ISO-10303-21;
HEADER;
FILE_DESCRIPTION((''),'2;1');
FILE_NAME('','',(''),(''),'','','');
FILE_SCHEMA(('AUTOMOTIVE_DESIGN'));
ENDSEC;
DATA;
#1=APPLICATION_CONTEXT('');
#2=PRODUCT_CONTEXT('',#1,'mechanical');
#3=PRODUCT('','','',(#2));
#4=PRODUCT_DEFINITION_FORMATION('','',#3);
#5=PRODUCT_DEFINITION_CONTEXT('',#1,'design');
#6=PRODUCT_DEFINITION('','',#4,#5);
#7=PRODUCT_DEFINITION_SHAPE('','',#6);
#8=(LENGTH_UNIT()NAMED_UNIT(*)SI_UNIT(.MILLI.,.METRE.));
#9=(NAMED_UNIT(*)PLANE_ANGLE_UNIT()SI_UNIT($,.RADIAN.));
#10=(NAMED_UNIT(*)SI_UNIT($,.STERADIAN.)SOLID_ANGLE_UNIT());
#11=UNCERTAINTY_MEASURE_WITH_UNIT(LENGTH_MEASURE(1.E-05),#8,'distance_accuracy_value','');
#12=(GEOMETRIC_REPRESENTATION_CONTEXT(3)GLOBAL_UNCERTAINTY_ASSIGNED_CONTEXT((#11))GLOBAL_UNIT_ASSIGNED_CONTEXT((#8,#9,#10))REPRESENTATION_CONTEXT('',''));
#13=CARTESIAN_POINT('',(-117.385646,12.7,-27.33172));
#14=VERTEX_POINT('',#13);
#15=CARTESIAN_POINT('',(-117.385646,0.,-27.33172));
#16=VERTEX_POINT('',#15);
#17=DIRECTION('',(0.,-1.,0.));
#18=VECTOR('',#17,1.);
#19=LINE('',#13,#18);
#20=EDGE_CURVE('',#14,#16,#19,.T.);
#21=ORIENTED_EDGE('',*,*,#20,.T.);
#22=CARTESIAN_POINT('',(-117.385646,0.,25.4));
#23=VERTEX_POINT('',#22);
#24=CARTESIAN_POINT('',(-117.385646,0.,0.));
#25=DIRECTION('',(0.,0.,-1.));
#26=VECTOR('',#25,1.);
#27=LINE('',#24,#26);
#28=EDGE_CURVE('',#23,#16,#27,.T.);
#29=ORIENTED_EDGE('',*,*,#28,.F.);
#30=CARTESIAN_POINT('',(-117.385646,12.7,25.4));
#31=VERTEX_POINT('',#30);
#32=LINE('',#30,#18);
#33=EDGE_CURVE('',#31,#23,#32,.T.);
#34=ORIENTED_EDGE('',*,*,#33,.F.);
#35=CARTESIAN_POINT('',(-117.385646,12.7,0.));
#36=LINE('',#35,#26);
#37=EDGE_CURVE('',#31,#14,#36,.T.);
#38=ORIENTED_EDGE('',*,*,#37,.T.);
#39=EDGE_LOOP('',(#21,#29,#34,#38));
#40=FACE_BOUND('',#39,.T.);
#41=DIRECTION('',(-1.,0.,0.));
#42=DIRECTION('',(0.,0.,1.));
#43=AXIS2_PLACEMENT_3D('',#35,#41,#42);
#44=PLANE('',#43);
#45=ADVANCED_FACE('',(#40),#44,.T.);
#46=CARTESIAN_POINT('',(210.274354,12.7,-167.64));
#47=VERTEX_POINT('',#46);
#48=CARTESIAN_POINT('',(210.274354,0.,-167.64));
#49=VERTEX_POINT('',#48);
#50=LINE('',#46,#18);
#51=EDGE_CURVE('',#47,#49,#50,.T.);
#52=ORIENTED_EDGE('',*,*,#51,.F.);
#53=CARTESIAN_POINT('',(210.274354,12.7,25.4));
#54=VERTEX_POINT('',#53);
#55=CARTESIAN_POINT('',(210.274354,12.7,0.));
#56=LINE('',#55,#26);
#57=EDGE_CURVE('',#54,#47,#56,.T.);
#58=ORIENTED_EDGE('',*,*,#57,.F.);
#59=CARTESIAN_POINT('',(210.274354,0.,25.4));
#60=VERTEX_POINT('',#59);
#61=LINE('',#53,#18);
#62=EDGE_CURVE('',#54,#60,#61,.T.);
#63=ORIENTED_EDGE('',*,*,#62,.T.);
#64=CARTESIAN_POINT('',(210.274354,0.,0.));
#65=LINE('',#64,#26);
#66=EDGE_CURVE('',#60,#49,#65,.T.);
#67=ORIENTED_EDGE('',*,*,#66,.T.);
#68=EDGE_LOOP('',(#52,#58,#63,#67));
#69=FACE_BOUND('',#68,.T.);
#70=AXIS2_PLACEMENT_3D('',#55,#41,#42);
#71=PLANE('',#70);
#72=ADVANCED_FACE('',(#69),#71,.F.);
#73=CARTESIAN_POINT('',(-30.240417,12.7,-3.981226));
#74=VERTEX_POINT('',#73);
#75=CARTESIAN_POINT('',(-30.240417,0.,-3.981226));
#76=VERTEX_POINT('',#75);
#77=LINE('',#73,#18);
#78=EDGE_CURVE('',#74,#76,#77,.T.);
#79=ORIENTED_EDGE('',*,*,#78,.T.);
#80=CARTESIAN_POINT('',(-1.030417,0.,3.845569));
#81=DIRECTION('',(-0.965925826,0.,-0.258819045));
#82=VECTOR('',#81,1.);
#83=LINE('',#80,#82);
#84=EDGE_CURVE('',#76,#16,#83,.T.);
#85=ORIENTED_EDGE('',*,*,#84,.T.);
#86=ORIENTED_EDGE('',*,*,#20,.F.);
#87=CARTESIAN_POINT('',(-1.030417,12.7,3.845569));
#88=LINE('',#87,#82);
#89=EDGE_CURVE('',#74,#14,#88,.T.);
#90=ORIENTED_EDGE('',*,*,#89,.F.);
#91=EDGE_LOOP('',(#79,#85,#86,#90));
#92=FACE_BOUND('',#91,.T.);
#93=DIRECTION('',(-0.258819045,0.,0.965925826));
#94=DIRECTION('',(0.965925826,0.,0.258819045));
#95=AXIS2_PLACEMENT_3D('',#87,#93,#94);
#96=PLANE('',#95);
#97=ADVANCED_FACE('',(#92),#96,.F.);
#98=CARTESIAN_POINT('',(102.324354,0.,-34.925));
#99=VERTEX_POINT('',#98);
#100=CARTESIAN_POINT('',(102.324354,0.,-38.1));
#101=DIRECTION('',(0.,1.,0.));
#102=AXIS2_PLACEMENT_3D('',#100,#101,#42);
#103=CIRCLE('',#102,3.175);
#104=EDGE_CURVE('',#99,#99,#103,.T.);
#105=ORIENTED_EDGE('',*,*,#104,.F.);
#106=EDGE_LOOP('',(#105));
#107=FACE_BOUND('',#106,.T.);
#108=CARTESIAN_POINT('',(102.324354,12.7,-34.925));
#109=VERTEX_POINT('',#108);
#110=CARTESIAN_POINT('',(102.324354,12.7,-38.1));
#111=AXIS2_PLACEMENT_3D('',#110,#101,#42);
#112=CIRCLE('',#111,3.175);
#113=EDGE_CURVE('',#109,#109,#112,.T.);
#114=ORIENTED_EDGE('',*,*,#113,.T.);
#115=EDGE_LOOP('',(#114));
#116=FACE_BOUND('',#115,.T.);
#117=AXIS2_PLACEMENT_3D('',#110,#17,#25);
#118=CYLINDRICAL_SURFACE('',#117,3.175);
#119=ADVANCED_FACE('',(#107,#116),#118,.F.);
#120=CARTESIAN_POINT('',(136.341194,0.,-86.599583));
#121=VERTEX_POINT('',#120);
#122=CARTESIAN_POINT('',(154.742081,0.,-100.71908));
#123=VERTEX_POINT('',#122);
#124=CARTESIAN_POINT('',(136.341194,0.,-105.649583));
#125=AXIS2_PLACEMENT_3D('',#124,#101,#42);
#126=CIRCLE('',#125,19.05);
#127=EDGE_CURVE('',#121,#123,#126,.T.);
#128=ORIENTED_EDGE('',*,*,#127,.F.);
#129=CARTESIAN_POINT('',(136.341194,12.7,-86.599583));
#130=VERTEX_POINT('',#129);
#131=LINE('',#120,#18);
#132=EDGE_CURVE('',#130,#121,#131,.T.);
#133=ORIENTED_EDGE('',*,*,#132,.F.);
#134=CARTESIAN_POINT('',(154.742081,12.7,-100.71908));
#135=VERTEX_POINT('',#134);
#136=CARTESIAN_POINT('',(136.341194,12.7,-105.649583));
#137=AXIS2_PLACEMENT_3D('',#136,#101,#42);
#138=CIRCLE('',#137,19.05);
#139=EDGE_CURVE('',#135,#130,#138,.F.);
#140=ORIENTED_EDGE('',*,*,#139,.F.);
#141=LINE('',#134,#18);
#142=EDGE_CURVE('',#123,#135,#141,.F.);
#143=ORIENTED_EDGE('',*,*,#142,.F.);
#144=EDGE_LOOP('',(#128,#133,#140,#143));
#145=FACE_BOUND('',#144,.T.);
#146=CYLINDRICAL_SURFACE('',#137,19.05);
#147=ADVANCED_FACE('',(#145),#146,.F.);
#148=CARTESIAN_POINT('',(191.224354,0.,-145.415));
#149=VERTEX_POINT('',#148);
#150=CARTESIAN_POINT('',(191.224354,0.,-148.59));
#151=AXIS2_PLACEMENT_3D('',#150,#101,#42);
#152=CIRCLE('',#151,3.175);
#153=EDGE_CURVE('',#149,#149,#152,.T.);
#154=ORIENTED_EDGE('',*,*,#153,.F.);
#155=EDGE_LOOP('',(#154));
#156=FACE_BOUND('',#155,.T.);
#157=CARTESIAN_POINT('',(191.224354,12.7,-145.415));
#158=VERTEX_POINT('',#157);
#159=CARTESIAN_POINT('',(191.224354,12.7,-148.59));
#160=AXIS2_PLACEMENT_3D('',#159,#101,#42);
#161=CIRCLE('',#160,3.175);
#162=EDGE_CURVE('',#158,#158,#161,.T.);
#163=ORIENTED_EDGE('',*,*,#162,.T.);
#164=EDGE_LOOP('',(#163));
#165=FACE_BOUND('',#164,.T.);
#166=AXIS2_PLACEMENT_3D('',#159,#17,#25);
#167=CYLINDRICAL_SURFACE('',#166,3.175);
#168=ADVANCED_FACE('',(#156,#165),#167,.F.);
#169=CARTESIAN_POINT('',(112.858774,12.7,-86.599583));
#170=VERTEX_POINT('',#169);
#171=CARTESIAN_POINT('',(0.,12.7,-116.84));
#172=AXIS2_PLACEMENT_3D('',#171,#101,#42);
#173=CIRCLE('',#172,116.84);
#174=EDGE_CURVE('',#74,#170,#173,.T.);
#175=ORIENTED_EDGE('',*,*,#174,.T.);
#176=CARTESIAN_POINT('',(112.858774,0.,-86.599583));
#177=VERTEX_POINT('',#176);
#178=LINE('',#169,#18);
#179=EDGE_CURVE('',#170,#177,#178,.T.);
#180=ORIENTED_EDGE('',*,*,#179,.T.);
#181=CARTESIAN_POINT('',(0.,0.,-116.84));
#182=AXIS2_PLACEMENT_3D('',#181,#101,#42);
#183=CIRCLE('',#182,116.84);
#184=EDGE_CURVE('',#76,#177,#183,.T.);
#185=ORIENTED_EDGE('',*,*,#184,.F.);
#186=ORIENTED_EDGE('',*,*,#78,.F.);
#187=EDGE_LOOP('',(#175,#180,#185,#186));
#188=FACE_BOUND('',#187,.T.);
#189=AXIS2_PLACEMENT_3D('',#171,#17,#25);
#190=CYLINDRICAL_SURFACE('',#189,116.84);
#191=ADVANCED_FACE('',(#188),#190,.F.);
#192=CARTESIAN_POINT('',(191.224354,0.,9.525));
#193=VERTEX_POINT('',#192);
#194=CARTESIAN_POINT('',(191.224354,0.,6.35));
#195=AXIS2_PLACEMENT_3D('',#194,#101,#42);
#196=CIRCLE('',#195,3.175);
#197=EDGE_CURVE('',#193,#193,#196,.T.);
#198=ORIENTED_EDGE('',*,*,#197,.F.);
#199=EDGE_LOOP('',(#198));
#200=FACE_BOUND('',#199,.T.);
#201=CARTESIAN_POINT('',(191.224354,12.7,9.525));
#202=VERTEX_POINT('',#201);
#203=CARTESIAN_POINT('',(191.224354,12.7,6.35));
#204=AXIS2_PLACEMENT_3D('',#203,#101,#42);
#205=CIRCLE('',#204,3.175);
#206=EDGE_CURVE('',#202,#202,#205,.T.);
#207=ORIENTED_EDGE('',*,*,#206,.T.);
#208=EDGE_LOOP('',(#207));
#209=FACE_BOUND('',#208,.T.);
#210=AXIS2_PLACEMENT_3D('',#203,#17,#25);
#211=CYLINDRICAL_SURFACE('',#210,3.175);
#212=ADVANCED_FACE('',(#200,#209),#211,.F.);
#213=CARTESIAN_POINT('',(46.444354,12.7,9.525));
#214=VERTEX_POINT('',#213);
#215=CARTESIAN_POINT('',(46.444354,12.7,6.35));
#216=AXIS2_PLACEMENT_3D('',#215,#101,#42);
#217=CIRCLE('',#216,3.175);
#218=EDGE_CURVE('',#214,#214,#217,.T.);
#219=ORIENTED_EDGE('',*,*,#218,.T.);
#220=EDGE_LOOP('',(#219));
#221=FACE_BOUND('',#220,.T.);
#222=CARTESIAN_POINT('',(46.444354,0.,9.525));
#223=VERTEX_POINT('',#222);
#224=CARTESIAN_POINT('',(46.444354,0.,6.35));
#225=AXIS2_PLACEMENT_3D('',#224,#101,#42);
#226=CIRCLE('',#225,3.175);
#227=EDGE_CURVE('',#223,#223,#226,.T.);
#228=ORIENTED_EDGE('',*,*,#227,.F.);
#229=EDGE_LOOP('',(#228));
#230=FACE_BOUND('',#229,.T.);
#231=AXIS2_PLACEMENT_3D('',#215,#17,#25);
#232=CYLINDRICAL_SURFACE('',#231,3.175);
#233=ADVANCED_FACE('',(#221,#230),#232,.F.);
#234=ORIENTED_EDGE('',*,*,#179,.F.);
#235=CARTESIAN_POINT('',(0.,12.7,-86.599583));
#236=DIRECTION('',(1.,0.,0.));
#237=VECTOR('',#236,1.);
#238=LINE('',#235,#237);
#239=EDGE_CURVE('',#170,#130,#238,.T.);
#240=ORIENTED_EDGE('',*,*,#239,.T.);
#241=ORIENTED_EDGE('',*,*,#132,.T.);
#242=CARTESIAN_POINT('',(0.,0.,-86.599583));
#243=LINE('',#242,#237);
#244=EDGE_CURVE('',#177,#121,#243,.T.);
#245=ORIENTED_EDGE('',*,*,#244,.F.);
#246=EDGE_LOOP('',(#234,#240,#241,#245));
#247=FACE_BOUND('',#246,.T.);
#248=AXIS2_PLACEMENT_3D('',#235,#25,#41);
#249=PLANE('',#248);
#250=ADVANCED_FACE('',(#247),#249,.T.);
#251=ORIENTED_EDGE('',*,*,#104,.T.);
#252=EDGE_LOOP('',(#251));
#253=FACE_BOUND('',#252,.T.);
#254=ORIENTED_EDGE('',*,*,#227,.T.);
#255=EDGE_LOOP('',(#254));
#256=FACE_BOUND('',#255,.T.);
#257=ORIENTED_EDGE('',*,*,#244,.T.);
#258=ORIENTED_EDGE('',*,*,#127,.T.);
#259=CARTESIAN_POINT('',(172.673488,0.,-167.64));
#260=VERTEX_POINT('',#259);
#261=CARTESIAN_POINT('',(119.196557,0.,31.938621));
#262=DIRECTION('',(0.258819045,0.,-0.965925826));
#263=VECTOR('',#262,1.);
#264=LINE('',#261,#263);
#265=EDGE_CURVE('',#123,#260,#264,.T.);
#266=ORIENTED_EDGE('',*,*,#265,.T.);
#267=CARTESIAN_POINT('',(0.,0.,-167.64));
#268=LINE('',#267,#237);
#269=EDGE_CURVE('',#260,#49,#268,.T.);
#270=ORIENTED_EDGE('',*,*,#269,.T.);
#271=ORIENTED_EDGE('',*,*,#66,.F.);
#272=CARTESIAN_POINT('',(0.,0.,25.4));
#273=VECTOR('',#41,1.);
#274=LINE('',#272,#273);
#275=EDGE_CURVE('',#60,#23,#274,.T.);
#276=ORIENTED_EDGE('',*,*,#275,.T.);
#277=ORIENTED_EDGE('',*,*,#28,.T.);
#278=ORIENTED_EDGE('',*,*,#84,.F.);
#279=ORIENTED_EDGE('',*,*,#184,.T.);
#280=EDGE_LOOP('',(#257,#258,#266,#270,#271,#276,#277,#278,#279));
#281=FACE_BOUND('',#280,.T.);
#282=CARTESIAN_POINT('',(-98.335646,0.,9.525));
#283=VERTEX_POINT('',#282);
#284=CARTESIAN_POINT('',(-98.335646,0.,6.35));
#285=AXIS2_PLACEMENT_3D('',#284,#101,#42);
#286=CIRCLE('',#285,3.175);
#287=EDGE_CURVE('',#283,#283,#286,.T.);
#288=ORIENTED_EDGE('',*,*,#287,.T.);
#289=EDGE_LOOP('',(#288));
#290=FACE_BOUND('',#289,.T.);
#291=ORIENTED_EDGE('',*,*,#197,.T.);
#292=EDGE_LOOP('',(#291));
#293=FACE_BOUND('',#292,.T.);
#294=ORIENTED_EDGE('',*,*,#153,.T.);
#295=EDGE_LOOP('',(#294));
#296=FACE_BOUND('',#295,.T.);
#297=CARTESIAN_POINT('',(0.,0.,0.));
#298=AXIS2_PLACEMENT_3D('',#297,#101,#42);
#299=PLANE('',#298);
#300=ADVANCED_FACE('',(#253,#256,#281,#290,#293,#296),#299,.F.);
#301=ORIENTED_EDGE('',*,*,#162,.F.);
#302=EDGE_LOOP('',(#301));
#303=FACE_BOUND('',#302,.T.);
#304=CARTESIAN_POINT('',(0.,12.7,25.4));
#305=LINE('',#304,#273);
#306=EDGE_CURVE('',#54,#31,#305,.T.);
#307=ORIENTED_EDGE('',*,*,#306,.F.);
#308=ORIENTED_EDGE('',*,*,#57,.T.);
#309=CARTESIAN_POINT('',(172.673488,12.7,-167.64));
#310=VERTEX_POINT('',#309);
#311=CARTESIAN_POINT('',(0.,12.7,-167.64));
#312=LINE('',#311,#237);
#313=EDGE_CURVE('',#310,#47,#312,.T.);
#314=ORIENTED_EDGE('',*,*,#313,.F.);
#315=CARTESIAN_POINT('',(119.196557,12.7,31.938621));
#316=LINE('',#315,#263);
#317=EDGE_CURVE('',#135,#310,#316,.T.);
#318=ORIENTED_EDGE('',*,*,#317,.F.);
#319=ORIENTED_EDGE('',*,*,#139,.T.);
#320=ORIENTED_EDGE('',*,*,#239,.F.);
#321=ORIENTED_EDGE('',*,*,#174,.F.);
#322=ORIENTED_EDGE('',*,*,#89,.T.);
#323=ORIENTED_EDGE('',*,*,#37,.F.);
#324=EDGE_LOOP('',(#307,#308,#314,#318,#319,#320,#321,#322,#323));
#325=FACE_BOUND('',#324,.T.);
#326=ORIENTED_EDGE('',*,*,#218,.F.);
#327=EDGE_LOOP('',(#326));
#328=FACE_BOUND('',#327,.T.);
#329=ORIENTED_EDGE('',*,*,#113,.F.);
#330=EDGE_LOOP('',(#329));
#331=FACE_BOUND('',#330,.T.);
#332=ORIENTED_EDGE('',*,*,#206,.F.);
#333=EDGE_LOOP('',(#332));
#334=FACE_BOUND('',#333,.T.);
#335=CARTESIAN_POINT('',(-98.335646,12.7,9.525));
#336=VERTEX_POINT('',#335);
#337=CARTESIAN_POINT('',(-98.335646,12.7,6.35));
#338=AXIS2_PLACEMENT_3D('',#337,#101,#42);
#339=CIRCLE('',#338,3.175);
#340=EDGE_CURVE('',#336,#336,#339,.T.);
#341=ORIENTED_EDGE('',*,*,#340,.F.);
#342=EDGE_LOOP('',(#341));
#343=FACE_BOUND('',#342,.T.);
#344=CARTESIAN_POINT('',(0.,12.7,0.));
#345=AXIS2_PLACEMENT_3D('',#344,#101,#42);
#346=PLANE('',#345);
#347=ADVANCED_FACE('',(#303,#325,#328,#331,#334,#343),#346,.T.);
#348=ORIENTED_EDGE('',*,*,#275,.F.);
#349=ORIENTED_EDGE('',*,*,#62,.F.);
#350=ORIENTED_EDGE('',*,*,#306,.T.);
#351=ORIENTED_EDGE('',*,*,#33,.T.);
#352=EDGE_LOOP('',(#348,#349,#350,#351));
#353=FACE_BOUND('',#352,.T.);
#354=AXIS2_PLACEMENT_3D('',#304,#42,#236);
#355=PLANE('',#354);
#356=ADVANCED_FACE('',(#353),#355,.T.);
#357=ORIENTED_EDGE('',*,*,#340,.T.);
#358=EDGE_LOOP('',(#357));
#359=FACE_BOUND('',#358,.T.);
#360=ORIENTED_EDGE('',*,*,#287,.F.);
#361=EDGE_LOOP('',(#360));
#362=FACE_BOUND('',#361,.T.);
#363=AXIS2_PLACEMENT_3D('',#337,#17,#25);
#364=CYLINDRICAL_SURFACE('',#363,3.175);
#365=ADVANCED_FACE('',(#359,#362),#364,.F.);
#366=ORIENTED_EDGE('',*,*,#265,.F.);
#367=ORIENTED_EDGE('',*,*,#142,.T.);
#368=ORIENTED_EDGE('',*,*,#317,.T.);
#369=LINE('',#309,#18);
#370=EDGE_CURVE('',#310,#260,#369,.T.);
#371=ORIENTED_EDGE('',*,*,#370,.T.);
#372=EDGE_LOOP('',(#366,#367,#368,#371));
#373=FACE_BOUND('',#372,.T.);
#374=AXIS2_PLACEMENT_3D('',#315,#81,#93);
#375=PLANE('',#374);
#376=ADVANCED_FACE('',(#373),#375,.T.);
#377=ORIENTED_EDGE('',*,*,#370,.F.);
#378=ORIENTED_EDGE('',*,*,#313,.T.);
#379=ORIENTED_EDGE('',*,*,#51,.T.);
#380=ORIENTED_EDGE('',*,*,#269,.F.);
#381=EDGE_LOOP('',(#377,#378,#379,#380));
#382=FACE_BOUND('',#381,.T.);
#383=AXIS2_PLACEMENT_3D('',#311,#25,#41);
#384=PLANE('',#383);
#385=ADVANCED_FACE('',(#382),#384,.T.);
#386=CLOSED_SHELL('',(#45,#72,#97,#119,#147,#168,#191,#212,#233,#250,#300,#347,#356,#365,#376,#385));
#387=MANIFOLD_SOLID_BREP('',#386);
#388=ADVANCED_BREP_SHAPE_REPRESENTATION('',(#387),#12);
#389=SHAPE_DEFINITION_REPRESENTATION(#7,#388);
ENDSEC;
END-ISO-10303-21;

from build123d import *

# Parameters (mm, degrees)
SKETCH1_R           = 3.175
BOSS_EXTRUDE1_DEPTH = 12.7
FILLET1_R           = 19.05


with BuildPart() as part:
    # Sketch1 → Boss-Extrude1 (new body)
    with BuildSketch(Plane(origin=(0, 0, 0), x_dir=(1, 0, 0), z_dir=(0, 1, 0))):
        with BuildLine():
            ThreePointArc((0, 0), (71.127685365, 24.14459572), (112.858773544, 86.59958277))
            Line((112.858773544, 86.59958277), (150.958773544, 86.59958277))
            Line((150.958773544, 86.59958277), (172.673487895, 167.64))
            Line((172.673487895, 167.64), (210.27435392, 167.64))
            Line((210.27435392, 167.64), (210.27435392, -25.4))
            Line((210.27435392, -25.4), (0, -25.4))
            Line((0, -25.4), (-117.38564608, -25.4))
            Line((-117.38564608, -25.4), (-117.38564608, 27.331720151))
            Line((-117.38564608, 27.331720151), (-30.24041723, 3.981226456))
            ThreePointArc((-30.24041723, 3.981226456), (-15.250680299, 0.999582397), (0, 0))
        make_face()
        with Locations(Location((191.22435392, -6.35, 0), (0, 0, 270))):
            Circle(SKETCH1_R, mode=Mode.SUBTRACT)
        with Locations(Location((191.22435392, 148.59, 0), (0, 0, 270))):
            Circle(SKETCH1_R, mode=Mode.SUBTRACT)
        with Locations(Location((102.32435392, 38.1, 0), (0, 0, 270))):
            Circle(SKETCH1_R, mode=Mode.SUBTRACT)
        with Locations(Location((46.44435392, -6.35, 0), (0, 0, 270))):
            Circle(SKETCH1_R, mode=Mode.SUBTRACT)
        with Locations(Location((-98.33564608, -6.35, 0), (0, 0, 270))):
            Circle(SKETCH1_R, mode=Mode.SUBTRACT)
    extrude(amount=BOSS_EXTRUDE1_DEPTH)

    # Fillet1
    fillet1_edges = [part.edges().sort_by_distance(p)[0] for p in [
        (150.958773544, 6.35, -86.59958277),
    ]]
    fillet(fillet1_edges, radius=FILLET1_R)


solid = part.part
